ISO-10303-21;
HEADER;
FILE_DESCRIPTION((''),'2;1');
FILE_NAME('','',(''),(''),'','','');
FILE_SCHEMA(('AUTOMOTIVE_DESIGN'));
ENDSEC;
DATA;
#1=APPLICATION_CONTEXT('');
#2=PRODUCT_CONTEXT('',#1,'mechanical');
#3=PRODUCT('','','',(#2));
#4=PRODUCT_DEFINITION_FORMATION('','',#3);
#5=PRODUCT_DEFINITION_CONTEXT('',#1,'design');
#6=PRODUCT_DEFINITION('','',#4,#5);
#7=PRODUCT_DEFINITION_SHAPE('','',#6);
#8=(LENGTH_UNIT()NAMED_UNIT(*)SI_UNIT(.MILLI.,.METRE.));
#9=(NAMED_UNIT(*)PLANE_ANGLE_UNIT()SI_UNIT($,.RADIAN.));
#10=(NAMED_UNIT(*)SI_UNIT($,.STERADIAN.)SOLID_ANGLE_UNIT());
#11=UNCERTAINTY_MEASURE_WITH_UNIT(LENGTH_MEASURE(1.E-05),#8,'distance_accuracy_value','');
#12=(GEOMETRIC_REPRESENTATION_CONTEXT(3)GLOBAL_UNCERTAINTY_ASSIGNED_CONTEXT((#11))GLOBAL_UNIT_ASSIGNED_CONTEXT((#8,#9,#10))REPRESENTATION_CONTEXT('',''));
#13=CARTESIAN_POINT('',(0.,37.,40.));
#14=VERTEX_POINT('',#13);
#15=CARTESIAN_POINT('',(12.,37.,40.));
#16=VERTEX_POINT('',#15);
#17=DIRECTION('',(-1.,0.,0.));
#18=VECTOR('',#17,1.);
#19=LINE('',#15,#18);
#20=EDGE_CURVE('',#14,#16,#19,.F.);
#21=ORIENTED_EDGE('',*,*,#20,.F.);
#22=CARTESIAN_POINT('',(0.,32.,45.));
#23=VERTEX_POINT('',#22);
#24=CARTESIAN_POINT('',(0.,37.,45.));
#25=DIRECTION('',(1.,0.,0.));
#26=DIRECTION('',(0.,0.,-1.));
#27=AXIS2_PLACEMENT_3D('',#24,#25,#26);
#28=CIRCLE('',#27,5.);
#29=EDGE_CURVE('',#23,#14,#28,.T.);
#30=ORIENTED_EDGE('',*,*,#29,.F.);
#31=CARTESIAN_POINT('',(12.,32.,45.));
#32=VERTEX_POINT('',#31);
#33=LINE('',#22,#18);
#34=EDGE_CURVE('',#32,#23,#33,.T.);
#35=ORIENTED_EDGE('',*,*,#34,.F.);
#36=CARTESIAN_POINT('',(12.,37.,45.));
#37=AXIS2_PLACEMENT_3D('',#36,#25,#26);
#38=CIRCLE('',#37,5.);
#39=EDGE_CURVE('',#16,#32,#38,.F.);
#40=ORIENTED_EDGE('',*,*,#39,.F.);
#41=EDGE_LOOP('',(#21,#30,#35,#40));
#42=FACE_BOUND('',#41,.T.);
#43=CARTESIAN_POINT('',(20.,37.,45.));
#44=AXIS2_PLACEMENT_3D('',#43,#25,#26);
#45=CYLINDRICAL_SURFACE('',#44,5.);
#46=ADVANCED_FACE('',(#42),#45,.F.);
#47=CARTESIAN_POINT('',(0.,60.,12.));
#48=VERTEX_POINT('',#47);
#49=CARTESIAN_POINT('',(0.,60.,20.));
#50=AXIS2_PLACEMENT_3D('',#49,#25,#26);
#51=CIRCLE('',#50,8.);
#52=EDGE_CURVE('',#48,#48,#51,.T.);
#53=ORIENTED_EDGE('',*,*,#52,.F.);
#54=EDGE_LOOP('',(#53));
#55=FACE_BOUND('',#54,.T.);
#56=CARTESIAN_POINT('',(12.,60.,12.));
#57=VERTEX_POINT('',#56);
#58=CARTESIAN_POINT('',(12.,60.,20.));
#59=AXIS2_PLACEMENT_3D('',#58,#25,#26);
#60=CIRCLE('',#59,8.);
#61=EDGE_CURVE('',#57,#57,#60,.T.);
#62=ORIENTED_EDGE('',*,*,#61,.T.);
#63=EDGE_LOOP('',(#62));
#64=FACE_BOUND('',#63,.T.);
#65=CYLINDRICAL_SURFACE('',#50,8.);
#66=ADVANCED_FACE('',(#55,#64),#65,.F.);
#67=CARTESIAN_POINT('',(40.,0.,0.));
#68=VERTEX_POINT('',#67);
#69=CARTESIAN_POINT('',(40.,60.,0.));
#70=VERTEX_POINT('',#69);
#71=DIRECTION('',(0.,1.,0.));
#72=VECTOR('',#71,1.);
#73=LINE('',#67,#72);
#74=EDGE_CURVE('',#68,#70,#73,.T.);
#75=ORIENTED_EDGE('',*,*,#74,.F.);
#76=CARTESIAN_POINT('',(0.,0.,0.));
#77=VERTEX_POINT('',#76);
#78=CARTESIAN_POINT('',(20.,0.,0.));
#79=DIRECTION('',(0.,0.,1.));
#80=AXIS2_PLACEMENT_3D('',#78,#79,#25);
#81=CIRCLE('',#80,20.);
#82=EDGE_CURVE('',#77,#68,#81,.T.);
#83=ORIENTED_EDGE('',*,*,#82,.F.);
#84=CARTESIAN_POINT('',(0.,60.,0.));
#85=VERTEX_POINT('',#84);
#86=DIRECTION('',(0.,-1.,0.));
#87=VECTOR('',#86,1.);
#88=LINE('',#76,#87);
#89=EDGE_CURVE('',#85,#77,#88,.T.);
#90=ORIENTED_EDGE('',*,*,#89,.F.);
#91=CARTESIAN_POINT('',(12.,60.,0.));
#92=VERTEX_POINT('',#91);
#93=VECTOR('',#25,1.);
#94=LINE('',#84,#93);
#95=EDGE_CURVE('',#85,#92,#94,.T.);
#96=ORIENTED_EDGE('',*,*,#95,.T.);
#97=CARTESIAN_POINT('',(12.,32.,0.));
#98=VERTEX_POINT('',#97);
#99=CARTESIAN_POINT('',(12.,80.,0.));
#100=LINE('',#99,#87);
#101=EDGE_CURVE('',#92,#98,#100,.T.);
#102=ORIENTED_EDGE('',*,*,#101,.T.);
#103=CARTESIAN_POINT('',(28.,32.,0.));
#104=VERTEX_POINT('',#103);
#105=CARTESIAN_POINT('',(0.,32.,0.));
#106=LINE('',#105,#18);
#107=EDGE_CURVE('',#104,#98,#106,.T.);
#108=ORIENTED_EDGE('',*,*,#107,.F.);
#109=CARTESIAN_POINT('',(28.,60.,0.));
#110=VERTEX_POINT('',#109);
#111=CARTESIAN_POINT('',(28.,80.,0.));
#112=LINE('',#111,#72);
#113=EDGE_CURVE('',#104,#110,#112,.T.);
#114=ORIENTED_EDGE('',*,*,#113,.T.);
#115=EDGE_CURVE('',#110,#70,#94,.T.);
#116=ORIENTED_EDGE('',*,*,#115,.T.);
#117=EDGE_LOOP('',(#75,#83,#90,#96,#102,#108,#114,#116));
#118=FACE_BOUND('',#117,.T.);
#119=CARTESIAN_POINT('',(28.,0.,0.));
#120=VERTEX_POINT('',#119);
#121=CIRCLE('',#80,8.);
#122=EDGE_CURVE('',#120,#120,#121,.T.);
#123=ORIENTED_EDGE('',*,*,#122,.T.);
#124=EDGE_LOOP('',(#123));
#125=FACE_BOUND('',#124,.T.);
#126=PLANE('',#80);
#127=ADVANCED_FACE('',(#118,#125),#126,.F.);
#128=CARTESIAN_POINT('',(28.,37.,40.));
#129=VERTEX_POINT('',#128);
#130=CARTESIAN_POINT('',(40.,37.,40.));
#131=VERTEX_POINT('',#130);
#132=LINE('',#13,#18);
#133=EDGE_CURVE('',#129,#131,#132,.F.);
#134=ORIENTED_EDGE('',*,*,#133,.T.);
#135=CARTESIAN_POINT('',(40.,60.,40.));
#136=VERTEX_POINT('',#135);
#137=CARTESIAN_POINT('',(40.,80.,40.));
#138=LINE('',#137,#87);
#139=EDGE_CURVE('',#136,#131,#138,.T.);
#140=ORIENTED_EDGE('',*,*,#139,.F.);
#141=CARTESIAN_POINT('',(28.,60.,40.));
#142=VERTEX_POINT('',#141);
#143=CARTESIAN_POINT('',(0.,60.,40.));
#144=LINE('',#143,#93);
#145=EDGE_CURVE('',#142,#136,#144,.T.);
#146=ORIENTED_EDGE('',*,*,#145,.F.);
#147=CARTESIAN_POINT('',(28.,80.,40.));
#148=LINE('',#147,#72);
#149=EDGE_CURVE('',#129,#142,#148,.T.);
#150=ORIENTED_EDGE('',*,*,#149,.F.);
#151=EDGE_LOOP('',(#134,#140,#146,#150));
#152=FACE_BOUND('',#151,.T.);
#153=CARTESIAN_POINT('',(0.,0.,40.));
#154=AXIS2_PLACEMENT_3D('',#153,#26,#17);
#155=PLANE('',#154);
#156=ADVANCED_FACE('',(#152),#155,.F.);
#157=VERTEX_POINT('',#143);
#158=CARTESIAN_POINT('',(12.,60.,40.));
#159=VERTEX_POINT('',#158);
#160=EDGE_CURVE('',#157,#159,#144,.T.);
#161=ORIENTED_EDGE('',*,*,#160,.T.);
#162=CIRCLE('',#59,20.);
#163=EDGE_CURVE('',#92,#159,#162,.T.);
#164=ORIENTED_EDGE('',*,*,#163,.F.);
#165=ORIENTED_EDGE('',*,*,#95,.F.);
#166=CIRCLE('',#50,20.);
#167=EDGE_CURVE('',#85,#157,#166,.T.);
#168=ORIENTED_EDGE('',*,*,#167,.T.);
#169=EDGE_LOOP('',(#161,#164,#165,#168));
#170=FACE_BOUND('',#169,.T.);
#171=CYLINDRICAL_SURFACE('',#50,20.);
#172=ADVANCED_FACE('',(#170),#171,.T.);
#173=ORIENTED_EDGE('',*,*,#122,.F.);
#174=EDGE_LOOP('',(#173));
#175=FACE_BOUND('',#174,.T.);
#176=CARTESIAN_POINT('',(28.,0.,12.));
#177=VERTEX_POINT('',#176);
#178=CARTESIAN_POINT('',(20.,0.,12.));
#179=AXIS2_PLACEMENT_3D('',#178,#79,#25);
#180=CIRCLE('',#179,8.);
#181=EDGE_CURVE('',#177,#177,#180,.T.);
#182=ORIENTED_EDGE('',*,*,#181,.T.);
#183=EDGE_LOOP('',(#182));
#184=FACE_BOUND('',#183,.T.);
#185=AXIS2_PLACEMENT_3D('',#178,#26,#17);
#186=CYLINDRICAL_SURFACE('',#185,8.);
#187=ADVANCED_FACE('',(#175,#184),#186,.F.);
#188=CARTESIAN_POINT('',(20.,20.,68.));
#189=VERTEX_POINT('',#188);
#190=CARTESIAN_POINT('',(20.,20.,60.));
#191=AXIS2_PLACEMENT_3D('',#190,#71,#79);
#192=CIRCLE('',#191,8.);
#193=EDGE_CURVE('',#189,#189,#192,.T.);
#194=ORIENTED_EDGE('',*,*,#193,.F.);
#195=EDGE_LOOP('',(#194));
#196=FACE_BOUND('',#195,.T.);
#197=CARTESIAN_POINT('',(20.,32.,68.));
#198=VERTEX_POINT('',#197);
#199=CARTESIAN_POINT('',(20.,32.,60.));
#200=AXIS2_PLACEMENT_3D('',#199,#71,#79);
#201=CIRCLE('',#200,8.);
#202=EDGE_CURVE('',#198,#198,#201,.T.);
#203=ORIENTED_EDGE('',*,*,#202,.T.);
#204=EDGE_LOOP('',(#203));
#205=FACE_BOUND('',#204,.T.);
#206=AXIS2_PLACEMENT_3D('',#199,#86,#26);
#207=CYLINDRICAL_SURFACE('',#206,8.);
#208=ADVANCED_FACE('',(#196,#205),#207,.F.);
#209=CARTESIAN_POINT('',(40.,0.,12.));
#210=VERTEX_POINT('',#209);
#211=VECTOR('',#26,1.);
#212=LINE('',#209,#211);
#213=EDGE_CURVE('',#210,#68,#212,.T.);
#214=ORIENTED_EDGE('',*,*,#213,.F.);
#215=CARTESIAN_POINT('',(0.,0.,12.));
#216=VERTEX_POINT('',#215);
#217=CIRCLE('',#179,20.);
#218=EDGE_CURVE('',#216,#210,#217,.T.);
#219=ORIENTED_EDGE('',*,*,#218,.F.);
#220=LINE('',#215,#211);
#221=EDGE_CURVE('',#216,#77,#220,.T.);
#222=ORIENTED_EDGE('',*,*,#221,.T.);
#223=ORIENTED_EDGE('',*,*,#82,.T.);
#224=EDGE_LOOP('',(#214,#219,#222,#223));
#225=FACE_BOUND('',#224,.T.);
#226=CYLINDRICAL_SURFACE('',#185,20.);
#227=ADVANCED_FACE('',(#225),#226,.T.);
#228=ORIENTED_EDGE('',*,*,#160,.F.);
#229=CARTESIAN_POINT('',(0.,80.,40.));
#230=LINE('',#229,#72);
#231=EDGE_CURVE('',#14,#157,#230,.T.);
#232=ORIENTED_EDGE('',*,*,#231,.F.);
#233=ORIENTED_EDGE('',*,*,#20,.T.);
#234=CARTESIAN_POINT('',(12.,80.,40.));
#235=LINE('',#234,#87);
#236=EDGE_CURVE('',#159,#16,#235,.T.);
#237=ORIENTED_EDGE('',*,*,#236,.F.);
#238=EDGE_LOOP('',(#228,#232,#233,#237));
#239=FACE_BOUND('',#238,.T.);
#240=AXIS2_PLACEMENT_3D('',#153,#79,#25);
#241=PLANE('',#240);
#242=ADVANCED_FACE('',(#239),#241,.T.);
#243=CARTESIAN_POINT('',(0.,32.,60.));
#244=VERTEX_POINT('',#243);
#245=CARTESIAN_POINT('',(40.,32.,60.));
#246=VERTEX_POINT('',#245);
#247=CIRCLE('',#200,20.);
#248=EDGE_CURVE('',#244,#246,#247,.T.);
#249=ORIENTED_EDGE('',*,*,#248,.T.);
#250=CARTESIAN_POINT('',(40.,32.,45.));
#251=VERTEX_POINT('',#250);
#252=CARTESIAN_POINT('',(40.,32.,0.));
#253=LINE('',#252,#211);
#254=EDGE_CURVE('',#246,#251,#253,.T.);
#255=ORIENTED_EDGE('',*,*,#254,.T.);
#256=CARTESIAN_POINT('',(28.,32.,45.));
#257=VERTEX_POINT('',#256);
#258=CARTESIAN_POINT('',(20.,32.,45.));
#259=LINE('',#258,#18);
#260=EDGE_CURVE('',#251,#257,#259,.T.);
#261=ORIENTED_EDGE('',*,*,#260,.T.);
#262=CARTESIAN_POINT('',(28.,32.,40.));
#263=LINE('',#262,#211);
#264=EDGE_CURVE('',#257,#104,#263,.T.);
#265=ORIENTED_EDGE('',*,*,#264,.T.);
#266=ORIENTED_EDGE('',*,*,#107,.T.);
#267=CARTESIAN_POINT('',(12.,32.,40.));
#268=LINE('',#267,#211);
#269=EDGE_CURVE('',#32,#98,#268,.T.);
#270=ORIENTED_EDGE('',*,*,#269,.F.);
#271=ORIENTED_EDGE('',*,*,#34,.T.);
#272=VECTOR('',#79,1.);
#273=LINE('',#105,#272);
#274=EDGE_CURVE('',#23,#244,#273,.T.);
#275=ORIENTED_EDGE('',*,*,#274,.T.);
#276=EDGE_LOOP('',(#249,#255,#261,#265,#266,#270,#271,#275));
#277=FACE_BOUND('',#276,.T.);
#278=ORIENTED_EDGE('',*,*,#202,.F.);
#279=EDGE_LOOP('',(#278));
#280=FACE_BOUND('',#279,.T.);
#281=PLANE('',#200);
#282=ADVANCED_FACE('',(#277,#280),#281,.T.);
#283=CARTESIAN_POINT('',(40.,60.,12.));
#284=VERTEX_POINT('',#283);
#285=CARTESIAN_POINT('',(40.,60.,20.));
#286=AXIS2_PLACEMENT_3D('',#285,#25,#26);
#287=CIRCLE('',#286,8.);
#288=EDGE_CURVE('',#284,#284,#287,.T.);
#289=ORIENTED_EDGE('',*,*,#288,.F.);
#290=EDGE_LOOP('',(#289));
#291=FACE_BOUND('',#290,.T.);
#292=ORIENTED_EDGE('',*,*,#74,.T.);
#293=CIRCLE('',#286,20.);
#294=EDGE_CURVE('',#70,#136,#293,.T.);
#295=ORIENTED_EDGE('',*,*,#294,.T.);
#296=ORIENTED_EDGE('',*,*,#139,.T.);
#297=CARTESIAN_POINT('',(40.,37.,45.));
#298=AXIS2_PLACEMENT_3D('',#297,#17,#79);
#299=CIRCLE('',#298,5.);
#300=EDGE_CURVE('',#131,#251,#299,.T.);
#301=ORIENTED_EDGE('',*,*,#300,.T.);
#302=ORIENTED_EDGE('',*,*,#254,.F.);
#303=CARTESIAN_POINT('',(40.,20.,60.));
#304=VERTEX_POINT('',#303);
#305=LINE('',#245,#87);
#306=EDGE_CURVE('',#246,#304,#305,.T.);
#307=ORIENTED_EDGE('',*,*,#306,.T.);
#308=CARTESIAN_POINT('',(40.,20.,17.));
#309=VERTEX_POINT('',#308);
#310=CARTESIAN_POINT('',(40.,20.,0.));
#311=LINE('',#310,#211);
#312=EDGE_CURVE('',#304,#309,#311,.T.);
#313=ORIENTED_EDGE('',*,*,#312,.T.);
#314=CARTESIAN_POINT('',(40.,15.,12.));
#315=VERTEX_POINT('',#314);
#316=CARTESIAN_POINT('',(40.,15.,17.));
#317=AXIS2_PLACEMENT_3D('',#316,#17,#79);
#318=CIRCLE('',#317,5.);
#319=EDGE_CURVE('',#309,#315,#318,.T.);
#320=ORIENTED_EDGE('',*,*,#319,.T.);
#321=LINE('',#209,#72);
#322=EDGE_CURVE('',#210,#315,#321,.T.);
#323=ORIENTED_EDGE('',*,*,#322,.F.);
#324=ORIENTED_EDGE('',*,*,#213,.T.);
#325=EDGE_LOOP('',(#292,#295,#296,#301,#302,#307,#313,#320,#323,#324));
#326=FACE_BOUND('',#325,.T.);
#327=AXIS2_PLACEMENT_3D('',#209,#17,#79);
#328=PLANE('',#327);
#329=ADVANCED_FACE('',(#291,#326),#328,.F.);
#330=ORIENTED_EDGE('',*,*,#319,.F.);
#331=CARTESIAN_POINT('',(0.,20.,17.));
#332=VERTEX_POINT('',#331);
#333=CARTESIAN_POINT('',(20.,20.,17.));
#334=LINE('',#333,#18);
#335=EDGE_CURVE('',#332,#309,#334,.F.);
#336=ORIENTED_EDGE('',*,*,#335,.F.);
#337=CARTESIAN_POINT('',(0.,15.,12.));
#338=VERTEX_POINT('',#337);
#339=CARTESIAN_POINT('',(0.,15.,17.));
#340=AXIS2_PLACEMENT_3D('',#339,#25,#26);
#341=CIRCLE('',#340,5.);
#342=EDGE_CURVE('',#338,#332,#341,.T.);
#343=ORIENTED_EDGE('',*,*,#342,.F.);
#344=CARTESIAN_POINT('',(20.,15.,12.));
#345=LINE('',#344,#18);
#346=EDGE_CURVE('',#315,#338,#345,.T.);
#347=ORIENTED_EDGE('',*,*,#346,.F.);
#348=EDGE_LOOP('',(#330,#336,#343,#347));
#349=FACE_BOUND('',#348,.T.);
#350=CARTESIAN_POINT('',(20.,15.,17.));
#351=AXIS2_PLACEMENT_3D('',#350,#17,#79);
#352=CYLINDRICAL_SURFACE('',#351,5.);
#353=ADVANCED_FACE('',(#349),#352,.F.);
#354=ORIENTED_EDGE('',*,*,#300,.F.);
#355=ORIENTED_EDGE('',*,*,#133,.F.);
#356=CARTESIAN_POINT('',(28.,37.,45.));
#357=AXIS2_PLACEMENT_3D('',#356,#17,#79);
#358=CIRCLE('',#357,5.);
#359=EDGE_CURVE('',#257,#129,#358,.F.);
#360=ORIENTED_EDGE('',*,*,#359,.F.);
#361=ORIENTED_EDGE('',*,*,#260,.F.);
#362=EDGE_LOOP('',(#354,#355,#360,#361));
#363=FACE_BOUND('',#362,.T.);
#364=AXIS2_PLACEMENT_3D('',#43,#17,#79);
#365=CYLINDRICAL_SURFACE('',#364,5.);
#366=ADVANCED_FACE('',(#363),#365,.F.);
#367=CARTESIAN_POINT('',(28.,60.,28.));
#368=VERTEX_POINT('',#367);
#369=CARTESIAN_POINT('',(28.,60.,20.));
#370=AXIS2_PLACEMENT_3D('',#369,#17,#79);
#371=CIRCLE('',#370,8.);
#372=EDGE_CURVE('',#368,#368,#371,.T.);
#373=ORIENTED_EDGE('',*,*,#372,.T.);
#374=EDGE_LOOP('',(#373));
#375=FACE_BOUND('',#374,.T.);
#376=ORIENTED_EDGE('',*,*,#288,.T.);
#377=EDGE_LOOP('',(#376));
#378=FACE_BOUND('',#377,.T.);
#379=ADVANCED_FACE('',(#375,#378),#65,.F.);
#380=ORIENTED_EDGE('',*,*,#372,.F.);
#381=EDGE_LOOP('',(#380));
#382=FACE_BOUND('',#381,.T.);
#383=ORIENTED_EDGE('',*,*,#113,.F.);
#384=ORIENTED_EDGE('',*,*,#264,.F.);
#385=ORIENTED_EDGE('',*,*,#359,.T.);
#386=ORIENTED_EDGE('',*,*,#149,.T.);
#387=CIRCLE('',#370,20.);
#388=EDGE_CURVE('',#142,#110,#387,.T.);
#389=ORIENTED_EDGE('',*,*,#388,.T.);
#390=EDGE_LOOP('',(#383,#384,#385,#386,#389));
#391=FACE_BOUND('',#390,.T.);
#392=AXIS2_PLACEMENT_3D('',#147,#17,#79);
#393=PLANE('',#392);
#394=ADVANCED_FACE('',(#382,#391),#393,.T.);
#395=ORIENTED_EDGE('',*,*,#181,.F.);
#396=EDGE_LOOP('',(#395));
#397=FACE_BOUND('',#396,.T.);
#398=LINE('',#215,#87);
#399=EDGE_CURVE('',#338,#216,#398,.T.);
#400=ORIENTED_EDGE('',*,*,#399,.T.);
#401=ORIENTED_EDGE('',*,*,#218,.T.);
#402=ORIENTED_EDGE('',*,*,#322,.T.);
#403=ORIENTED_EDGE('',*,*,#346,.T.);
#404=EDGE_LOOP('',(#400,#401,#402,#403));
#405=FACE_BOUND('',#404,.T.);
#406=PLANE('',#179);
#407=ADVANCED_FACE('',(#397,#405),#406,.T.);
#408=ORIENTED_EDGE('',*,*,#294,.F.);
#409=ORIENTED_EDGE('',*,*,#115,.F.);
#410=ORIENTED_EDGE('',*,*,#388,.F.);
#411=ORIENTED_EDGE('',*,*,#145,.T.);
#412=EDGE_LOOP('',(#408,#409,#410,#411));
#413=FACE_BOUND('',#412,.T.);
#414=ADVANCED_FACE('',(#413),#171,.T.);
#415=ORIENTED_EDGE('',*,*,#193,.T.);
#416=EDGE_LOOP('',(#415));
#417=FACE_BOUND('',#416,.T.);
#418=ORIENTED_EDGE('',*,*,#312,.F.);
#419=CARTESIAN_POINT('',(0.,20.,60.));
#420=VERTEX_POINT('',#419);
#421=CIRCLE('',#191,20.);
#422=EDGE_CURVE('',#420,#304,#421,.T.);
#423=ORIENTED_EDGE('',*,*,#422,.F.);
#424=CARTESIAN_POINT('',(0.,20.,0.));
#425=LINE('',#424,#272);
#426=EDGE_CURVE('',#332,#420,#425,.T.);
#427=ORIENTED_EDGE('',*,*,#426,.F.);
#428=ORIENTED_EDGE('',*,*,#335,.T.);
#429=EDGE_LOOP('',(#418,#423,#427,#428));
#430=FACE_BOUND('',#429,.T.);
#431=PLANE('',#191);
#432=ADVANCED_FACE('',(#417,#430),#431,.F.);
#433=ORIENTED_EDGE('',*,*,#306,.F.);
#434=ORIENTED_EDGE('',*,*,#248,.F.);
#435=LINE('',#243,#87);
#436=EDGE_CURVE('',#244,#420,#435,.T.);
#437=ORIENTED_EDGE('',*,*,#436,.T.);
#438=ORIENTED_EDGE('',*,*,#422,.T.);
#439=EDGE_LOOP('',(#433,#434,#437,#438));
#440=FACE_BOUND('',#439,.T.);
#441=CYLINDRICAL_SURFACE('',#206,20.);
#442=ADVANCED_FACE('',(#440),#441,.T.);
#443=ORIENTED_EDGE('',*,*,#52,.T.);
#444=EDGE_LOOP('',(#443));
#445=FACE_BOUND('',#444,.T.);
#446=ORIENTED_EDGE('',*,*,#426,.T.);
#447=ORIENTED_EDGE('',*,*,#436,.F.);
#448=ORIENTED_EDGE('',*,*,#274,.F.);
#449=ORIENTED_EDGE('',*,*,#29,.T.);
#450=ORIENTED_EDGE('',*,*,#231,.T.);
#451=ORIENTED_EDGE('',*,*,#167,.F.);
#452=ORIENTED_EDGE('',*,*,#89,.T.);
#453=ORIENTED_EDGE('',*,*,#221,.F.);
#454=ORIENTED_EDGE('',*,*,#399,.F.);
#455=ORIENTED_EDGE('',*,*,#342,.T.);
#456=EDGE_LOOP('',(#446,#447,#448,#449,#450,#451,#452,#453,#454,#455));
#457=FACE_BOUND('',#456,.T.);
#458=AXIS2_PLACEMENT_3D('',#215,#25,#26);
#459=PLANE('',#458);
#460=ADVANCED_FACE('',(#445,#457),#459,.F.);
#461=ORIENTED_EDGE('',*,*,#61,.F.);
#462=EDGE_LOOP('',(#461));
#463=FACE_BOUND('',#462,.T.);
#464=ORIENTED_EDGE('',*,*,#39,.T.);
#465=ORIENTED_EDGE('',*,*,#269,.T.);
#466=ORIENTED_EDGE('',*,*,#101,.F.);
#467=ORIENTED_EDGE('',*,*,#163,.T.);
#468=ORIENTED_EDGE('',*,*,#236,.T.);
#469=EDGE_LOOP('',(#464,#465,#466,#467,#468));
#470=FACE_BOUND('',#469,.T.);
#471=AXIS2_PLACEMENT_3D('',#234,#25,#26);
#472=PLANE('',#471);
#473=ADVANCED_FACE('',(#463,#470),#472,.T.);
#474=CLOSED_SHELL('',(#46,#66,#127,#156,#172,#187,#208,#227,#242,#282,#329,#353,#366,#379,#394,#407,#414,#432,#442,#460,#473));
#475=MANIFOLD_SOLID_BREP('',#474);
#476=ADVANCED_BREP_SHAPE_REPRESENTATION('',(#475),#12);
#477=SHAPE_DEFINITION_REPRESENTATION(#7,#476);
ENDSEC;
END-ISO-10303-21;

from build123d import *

# Parameters (mm, degrees)
SKETCH1_R           = 8
BOSS_EXTRUDE1_DEPTH = 12
SKETCH2_R           = 8
BOSS_EXTRUDE2_DEPTH = 12
SKETCH3_W           = 12
SKETCH3_H           = 48
BOSS_EXTRUDE3_DEPTH = 40
SKETCH4_R           = 8
CUT_EXTRUDE1_DEPTH  = 40
FILLET1_R           = 5


with BuildPart() as part:
    # Sketch1 → Boss-Extrude1 (new body)
    with BuildSketch(Plane.XY):
        with BuildLine():
            Line((0, 0), (0, 20))
            Line((0, 20), (40, 20))
            Line((40, 20), (40, 0))
            ThreePointArc((40, 0), (20, -20), (0, 0))
        make_face()
        with Locations((20, 0)):
            Circle(SKETCH1_R, mode=Mode.SUBTRACT)
    extrude(amount=BOSS_EXTRUDE1_DEPTH)

    # Sketch2 → Boss-Extrude2 (add)
    with BuildSketch(Plane(origin=(0, 20, 0), x_dir=(1, 0, 0), z_dir=(0, 1, 0))):
        with BuildLine():
            Line((0, 0), (40, 0))
            Line((40, 0), (40, -60))
            ThreePointArc((40, -60), (20, -80), (0, -60))
            Line((0, -60), (0, 0))
        make_face()
        with Locations(Location((20, -60, 0), (0, 0, 270))):
            Circle(SKETCH2_R, mode=Mode.SUBTRACT)
    extrude(amount=BOSS_EXTRUDE2_DEPTH)

    # Sketch3 → Boss-Extrude3 (add)
    with BuildSketch(Plane(origin=(0, 0, 0), x_dir=(-1, 0, 0), z_dir=(0, 0, -1))):
        with Locations((-34, 56)):
            Rectangle(SKETCH3_W, SKETCH3_H)
        with Locations((-6, 56)):
            Rectangle(SKETCH3_W, SKETCH3_H)
    extrude(amount=-BOSS_EXTRUDE3_DEPTH)

    # Sketch4 → Cut-Extrude1 (cut)
    with BuildSketch(Plane(origin=(40, 0, 0), x_dir=(0, 0, -1), z_dir=(1, 0, 0))):
        with BuildLine():
            ThreePointArc((-20, 80), (-5.857864376, 74.142135624), (0, 60))
            Line((0, 60), (0, 80))
            Line((0, 80), (-20, 80))
        make_face()
        with BuildLine():
            ThreePointArc((-40, 60), (-34.142135624, 74.142135624), (-20, 80))
            Line((-20, 80), (-40, 80))
            Line((-40, 80), (-40, 60))
        make_face()
        with Locations((-20, 60)):
            Circle(SKETCH4_R)
    extrude(amount=-CUT_EXTRUDE1_DEPTH, mode=Mode.SUBTRACT)

    # Fillet1
    fillet1_edges = [part.edges().sort_by_distance(p)[0] for p in [
        (20, 20, 12),
        (34, 32, 40),
        (6, 32, 40),
    ]]
    fillet(fillet1_edges, radius=FILLET1_R)


solid = part.part
